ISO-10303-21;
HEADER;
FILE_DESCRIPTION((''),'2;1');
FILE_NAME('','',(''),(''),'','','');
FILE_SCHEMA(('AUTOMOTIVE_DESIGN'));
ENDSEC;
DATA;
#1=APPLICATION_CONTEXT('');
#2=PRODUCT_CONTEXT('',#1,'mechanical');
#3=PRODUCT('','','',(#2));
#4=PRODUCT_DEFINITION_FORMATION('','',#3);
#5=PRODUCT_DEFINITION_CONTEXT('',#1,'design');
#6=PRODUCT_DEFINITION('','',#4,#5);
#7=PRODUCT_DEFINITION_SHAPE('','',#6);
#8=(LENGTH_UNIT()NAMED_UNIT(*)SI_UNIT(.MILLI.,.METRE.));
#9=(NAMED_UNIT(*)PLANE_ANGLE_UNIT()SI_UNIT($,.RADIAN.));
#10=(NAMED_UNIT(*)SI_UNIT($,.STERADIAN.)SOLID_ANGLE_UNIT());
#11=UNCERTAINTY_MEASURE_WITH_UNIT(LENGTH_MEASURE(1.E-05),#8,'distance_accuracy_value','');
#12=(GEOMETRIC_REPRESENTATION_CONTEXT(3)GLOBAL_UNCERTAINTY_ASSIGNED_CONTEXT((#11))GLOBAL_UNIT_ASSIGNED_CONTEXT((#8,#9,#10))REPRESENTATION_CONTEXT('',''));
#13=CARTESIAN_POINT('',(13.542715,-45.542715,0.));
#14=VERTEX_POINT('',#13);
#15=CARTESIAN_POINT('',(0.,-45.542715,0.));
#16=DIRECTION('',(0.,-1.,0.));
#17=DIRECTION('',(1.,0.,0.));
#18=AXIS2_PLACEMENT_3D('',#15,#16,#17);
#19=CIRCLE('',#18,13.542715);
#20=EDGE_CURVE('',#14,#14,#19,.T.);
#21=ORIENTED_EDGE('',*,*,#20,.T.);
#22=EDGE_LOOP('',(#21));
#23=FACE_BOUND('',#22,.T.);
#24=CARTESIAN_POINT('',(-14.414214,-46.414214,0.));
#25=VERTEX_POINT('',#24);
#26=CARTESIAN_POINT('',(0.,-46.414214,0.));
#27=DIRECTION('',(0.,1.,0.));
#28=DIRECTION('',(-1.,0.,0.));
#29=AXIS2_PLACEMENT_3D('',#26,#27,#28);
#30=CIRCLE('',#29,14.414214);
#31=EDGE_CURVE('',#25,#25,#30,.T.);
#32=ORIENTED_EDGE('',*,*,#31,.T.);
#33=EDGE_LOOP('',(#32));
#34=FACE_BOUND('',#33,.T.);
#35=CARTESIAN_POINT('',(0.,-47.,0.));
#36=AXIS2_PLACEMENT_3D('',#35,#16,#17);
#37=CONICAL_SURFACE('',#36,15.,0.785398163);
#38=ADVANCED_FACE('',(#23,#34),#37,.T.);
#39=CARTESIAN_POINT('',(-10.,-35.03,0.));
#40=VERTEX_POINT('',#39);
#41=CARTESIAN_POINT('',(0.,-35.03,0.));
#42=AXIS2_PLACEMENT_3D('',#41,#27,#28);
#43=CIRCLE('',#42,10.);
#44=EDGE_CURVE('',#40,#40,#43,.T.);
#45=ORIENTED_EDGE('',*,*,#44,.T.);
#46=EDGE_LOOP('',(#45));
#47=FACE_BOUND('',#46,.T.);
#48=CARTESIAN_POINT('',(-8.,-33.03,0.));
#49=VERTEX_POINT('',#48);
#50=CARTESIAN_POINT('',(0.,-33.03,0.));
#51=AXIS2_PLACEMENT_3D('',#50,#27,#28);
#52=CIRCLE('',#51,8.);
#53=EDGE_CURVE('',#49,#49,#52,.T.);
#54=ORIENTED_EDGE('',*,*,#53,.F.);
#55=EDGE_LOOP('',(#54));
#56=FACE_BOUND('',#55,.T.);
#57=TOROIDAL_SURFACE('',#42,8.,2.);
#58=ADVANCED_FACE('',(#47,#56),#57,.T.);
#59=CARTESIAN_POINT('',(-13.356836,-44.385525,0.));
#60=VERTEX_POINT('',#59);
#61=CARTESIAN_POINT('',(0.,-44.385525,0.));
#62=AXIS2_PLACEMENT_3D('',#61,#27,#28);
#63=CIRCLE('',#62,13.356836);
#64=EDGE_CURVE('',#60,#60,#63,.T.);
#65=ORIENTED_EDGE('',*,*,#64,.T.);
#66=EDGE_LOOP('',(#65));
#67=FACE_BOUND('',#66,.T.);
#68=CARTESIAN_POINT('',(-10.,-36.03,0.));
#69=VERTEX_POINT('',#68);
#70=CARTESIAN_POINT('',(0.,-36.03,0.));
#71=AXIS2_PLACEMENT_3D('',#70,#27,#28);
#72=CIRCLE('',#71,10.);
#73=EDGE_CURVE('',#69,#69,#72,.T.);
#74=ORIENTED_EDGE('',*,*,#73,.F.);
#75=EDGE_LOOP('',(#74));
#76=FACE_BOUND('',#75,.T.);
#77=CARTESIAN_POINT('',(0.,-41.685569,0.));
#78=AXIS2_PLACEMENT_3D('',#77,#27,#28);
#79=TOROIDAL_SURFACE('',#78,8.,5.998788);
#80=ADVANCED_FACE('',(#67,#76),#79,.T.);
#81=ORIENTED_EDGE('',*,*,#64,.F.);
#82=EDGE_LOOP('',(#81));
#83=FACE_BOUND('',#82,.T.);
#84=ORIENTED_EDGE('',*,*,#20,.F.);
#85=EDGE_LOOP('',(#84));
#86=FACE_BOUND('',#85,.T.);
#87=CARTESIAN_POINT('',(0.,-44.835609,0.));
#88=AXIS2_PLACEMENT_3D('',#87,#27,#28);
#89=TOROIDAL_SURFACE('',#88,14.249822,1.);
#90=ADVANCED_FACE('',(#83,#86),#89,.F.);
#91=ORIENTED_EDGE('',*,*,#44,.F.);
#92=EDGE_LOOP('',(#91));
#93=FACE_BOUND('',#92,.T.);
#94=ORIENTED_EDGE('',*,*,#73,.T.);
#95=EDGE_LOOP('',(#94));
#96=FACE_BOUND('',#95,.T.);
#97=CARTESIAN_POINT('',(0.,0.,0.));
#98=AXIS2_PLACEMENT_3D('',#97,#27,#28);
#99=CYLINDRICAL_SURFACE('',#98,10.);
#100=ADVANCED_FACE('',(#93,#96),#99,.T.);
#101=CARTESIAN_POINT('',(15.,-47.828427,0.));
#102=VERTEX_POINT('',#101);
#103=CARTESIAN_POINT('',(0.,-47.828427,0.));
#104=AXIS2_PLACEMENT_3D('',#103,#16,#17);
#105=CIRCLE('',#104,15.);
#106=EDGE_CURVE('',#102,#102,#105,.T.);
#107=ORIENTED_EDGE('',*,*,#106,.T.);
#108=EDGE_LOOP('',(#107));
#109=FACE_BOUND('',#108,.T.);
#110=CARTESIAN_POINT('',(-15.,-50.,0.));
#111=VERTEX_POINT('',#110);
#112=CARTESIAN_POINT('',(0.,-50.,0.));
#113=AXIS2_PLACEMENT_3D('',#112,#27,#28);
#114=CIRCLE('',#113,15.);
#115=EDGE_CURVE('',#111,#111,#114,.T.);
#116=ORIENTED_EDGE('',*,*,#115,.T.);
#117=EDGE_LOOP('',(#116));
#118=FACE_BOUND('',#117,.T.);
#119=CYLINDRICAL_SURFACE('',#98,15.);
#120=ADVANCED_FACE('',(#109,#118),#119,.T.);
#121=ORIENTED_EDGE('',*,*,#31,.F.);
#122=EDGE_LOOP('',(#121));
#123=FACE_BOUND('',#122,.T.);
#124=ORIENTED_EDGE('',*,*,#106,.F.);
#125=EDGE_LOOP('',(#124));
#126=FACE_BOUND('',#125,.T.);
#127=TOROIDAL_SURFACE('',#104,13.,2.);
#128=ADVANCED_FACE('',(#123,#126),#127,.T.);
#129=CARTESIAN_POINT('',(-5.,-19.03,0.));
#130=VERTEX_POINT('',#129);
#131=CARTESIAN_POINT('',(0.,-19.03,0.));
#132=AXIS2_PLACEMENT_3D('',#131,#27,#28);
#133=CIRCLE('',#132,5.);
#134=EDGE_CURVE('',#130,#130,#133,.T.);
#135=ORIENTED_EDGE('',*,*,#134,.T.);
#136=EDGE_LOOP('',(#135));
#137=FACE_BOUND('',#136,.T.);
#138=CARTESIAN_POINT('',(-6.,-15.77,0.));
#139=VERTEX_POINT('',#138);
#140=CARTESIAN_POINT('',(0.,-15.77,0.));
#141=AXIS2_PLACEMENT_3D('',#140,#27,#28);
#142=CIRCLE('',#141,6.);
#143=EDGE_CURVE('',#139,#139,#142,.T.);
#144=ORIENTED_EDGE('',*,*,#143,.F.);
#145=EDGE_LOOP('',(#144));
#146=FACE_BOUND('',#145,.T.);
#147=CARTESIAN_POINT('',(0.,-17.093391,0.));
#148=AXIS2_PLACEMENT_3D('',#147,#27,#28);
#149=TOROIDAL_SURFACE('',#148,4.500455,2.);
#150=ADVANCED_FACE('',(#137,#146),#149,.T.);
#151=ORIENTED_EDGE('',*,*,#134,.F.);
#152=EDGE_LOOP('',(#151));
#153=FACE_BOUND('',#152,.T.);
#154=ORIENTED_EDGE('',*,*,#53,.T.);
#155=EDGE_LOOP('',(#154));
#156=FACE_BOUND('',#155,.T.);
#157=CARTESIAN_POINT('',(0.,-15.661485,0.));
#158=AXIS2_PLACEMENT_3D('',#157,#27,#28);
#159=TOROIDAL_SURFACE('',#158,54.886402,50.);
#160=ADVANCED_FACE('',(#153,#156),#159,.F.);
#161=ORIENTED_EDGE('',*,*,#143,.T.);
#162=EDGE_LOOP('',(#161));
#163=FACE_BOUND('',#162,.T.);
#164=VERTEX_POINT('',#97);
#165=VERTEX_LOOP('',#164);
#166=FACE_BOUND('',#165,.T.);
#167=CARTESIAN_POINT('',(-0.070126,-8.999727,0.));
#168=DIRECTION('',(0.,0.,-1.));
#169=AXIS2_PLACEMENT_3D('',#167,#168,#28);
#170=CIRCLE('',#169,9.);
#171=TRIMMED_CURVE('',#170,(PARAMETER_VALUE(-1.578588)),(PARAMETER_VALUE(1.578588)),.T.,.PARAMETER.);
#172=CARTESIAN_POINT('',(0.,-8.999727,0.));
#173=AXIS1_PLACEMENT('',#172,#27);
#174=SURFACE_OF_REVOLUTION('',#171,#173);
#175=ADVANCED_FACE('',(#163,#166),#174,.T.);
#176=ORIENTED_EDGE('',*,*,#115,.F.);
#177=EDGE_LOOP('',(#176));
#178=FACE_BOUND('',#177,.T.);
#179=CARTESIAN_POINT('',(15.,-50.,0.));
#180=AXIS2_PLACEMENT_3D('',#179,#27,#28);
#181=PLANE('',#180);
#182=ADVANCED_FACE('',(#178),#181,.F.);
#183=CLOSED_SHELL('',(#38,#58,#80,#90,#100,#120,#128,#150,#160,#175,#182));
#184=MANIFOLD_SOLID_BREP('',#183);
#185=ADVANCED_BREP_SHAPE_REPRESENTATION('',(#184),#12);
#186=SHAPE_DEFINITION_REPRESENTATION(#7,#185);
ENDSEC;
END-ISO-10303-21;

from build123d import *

# Parameters (mm, degrees)
FILLET1_R = 2
FILLET2_R = 1


with BuildPart() as part:
    # Sketch1 → Revolve1 (revolve)
    with BuildSketch(Plane.XY, mode=Mode.PRIVATE) as revolve1_sk:
        with BuildLine():
            Line((0, 0), (0, -50))
            Line((0, -50), (13, -50))
            Line((13, -50), (15, -50))
            Line((15, -50), (15, -47))
            Line((15, -47), (13, -45))
            ThreePointArc((13, -45), (13.689044296, -39.782878162), (10, -36.03))
            Line((10, -36.03), (10, -35.03))
            ThreePointArc((10, -35.03), (9.414213562, -33.615786438), (8, -33.03))
            ThreePointArc((8, -33.03), (5.996281337, -26.137939714), (5, -19.03))
            ThreePointArc((5, -19.03), (6.412519214, -17.679913869), (6, -15.77))
            ThreePointArc((6, -15.77), (8.481867275, -5.799318094), (0, 0))
        make_face()
    revolve(revolve1_sk.sketch.rotate(Axis((0, 0, 0), (0, -1, 0)), 180), axis=Axis((0, 0, 0), (0, -1, 0)))

    # Fillet1
    fillet1_edges = [part.edges().sort_by_distance(p)[0] for p in [
        (15, -47, 0),
    ]]
    fillet(fillet1_edges, radius=FILLET1_R)

    # Fillet2
    fillet2_edges = [part.edges().sort_by_distance(p)[0] for p in [
        (13, -45, 0),
    ]]
    fillet(fillet2_edges, radius=FILLET2_R)


solid = part.part
